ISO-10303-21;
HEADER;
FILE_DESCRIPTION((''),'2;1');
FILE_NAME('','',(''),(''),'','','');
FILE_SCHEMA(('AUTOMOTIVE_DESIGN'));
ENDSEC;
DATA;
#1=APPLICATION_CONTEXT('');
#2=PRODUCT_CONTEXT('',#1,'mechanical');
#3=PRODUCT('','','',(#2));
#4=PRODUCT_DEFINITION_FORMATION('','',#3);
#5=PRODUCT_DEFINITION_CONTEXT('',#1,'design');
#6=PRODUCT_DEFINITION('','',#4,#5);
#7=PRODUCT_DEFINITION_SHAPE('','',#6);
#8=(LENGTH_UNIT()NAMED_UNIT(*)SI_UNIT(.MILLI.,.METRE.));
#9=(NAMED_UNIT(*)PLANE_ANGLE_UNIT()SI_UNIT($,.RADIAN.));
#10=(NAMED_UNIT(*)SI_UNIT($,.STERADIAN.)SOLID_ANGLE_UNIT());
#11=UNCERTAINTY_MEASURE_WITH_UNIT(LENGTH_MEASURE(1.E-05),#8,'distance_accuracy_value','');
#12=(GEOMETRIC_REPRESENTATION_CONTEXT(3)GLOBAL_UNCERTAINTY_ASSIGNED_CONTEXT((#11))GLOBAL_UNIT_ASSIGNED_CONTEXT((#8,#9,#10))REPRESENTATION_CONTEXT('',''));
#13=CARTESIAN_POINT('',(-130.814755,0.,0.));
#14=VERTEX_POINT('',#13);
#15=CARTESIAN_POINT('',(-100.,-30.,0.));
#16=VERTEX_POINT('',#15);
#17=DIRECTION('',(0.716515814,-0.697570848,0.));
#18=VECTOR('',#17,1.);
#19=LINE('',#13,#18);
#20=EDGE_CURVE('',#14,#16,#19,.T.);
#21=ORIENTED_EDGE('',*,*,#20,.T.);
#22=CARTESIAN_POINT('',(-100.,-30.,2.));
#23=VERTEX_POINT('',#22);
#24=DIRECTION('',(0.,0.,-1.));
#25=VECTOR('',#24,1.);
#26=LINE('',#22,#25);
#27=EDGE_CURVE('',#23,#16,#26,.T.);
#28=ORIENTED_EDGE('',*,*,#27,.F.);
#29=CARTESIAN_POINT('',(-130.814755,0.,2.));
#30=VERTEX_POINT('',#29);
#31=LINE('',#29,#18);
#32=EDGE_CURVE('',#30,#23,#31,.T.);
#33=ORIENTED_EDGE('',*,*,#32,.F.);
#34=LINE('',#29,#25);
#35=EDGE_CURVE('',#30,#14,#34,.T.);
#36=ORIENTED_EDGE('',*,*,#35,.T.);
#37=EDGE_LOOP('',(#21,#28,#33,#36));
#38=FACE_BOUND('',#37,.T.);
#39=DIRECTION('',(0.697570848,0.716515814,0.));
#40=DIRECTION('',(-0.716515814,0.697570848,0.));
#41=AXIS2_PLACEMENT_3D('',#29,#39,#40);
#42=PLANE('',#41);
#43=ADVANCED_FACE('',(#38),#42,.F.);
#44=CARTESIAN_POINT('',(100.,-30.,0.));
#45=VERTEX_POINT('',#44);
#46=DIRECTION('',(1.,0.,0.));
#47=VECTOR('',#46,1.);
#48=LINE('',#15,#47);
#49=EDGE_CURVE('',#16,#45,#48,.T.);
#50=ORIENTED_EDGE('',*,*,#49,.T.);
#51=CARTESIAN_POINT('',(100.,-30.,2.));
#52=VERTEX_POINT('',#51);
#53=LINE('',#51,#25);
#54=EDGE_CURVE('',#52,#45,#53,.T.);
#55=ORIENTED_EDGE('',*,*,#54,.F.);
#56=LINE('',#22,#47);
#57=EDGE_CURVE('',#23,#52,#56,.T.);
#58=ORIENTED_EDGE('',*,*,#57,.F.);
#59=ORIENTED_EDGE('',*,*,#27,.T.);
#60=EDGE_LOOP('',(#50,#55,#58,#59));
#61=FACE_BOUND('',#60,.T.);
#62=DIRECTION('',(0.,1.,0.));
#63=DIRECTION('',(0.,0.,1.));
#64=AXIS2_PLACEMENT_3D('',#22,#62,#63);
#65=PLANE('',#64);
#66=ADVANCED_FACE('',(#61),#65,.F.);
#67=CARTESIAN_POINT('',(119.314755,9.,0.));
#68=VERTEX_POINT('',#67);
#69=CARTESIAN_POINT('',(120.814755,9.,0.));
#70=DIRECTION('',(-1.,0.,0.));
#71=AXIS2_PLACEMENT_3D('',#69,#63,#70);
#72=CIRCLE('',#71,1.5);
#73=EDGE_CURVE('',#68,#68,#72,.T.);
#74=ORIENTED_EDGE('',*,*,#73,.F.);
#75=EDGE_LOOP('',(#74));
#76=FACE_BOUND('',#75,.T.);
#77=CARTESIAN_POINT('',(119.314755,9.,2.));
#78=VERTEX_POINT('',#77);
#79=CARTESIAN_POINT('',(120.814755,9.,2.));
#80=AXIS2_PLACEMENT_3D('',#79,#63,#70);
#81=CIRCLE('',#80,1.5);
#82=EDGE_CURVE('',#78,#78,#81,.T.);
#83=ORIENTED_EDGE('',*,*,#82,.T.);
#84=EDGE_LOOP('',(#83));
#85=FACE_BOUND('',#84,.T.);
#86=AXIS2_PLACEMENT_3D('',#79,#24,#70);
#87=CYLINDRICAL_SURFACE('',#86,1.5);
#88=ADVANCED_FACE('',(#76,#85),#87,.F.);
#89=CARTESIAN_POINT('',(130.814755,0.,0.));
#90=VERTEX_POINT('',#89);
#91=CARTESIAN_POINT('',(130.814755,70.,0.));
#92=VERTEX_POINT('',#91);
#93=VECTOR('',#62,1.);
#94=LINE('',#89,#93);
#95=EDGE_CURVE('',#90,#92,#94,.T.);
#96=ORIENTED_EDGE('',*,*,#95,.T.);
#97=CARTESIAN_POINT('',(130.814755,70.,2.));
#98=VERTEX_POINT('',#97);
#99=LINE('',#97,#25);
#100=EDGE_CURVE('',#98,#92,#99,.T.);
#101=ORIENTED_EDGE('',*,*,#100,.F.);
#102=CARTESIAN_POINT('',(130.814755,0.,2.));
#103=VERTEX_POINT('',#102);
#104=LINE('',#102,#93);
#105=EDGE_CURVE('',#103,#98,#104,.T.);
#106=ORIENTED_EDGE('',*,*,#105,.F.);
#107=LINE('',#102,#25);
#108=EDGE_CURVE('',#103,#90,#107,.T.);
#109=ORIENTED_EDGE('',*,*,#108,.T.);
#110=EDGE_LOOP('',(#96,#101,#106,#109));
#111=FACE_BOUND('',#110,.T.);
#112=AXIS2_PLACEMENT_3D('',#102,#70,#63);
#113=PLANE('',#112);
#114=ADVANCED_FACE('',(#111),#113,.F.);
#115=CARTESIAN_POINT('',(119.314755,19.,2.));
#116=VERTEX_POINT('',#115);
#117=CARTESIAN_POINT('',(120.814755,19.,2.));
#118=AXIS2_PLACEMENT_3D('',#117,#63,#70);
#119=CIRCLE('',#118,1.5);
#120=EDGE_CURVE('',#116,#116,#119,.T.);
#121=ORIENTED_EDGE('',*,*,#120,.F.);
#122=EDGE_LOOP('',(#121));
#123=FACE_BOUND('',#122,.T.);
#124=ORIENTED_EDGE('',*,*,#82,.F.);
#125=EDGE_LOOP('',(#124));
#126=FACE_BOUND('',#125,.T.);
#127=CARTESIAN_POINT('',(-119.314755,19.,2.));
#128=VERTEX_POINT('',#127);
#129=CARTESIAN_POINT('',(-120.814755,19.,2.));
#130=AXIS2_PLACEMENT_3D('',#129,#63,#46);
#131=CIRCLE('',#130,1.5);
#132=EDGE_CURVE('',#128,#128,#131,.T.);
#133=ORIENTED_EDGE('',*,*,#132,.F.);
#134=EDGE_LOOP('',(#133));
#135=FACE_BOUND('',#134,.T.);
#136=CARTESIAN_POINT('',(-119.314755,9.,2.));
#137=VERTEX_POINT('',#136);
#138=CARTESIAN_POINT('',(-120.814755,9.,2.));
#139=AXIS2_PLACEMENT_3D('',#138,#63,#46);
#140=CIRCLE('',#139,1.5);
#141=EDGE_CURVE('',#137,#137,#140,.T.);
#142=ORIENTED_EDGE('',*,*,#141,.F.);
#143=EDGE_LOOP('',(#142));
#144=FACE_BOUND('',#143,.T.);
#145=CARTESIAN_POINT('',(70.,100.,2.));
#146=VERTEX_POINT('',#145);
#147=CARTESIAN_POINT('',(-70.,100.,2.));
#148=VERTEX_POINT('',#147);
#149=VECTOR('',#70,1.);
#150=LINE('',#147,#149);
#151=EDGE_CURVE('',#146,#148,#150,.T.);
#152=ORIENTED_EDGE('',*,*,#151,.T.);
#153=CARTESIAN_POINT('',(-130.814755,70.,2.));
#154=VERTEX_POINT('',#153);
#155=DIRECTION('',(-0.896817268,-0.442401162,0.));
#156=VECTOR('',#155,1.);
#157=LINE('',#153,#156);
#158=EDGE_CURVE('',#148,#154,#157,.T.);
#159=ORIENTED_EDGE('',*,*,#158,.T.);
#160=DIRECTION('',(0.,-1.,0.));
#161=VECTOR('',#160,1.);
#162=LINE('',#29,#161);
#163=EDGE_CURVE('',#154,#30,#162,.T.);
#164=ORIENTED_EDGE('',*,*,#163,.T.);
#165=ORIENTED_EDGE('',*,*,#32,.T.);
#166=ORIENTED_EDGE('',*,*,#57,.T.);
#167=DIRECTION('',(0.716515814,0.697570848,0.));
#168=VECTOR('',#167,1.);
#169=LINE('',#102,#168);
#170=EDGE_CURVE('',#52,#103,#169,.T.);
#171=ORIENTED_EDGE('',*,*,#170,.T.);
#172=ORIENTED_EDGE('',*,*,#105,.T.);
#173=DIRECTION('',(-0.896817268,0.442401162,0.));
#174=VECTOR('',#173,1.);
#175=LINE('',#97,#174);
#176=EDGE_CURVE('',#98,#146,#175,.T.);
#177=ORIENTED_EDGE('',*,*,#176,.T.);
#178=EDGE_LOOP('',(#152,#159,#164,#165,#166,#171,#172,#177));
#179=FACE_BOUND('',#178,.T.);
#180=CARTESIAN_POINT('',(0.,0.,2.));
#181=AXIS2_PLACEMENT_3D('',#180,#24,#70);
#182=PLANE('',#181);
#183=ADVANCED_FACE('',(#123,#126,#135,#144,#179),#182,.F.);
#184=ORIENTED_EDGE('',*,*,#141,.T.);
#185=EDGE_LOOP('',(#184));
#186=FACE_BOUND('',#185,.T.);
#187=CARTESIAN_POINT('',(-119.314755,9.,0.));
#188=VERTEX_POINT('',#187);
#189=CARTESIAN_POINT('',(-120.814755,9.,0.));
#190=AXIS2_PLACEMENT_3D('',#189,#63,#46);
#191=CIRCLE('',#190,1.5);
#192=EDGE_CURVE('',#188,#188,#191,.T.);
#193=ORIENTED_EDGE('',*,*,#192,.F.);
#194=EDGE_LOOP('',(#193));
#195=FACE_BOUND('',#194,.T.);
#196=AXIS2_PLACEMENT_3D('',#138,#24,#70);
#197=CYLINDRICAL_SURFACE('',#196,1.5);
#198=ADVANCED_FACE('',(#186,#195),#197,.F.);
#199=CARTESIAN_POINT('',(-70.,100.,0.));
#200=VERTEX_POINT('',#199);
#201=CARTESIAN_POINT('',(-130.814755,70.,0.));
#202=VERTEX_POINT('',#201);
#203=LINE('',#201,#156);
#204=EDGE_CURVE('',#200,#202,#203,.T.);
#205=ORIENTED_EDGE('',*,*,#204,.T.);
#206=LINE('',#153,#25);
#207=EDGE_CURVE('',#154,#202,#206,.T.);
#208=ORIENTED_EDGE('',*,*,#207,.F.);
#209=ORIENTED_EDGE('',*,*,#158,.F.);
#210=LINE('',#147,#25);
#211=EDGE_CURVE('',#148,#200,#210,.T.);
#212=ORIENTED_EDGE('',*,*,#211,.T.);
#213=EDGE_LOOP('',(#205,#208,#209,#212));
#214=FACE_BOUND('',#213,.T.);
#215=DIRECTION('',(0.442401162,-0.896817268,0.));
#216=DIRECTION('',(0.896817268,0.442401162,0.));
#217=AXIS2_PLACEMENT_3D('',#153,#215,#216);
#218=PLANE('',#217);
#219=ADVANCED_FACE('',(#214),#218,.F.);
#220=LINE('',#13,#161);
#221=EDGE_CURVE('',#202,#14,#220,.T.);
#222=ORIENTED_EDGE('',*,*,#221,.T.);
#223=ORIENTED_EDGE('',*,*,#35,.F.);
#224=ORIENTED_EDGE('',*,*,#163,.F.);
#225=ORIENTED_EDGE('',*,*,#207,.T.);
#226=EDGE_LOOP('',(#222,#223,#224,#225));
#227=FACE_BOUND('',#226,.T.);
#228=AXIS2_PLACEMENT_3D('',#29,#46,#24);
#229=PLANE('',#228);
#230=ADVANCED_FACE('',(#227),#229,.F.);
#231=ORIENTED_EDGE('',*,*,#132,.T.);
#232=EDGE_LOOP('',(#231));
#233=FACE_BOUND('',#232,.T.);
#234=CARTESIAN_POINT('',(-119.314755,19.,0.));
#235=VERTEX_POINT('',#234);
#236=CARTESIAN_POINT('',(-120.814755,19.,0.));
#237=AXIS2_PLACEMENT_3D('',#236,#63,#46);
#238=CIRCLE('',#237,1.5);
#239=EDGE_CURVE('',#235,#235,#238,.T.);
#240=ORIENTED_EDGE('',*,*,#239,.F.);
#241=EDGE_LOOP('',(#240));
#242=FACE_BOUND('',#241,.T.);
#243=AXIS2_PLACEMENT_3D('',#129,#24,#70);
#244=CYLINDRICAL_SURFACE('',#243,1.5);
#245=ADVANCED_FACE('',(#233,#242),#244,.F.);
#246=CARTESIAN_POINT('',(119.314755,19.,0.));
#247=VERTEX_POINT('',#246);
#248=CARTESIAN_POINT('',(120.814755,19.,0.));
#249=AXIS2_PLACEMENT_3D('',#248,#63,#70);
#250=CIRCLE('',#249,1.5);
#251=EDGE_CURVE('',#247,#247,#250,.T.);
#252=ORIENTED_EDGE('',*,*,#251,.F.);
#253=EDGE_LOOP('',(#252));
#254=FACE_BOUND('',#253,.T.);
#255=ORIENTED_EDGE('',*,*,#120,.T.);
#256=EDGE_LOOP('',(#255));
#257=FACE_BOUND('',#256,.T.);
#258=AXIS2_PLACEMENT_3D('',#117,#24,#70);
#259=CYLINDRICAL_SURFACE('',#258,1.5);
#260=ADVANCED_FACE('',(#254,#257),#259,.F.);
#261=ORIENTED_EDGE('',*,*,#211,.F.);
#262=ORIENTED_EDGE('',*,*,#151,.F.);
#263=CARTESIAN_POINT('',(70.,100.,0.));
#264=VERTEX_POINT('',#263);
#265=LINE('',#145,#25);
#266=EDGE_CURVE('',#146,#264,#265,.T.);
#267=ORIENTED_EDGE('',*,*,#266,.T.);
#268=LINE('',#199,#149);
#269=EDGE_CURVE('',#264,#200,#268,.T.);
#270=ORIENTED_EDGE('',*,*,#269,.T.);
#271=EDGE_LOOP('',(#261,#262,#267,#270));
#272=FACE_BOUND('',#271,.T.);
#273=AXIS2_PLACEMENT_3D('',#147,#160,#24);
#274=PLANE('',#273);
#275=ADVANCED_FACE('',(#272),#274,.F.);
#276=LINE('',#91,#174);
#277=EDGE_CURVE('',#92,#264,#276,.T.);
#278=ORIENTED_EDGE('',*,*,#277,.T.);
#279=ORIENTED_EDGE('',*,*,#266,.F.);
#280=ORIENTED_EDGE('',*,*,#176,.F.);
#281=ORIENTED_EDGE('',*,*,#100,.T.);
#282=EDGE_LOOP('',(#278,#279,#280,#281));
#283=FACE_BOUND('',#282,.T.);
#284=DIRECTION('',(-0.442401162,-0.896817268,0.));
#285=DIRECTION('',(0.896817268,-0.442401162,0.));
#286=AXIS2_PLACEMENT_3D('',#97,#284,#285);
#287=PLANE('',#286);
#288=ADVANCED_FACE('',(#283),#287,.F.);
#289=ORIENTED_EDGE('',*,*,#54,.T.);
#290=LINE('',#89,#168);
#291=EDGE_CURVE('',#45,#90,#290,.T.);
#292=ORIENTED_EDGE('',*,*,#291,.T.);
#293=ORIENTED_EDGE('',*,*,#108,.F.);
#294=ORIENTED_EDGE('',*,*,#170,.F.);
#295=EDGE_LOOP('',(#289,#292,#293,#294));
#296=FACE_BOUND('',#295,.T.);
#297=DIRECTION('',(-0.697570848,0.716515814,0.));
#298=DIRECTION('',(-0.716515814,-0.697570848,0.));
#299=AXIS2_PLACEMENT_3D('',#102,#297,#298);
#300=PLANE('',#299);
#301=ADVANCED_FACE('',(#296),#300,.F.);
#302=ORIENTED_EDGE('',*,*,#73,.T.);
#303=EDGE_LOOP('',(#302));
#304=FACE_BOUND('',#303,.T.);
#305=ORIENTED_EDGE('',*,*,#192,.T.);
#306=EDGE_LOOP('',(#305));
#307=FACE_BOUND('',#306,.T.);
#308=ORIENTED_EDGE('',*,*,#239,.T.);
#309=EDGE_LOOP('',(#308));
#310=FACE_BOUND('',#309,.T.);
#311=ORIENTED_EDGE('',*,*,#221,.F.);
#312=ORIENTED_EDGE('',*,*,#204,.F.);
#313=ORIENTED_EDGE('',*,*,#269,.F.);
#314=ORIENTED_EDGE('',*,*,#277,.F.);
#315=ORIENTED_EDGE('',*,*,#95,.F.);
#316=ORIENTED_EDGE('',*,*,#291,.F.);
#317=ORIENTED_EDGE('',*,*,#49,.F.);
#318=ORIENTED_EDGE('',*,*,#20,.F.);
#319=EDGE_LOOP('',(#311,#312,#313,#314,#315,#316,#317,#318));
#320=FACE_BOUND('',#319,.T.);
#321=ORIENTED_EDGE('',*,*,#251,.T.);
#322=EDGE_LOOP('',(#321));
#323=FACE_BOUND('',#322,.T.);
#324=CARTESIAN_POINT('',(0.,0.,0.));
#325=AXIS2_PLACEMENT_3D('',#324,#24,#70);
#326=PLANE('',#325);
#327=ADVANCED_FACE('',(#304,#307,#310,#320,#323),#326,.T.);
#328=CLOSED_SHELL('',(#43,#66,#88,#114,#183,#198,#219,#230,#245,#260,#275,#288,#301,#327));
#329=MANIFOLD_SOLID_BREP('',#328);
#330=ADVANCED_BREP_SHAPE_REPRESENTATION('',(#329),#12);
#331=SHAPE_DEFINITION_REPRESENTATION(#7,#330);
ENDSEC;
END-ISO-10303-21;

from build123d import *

# Parameters (mm, degrees)
SKETCH_1_R      = 1.5
EXTRUDE_1_DEPTH = 2


with BuildPart() as part:
    # 草图1 → 凸台-拉伸1 (new body)
    with BuildSketch(Plane.XY):
        Polygon((-130.81475452, 0), (-130.81475452, 70), (-70, 100), (70, 100), (130.81475452, 70), (130.81475452, 0), (100, -30), (-100, -30), align=None)
        with Locations((-120.81475452, 9)):
            Circle(SKETCH_1_R, mode=Mode.SUBTRACT)
        with Locations(Location((120.81475452, 9, 0), (0, 0, 180))):
            Circle(SKETCH_1_R, mode=Mode.SUBTRACT)
        with Locations((-120.81475452, 19)):
            Circle(SKETCH_1_R, mode=Mode.SUBTRACT)
        with Locations(Location((120.81475452, 19, 0), (0, 0, 180))):
            Circle(SKETCH_1_R, mode=Mode.SUBTRACT)
    extrude(amount=EXTRUDE_1_DEPTH)


solid = part.part
